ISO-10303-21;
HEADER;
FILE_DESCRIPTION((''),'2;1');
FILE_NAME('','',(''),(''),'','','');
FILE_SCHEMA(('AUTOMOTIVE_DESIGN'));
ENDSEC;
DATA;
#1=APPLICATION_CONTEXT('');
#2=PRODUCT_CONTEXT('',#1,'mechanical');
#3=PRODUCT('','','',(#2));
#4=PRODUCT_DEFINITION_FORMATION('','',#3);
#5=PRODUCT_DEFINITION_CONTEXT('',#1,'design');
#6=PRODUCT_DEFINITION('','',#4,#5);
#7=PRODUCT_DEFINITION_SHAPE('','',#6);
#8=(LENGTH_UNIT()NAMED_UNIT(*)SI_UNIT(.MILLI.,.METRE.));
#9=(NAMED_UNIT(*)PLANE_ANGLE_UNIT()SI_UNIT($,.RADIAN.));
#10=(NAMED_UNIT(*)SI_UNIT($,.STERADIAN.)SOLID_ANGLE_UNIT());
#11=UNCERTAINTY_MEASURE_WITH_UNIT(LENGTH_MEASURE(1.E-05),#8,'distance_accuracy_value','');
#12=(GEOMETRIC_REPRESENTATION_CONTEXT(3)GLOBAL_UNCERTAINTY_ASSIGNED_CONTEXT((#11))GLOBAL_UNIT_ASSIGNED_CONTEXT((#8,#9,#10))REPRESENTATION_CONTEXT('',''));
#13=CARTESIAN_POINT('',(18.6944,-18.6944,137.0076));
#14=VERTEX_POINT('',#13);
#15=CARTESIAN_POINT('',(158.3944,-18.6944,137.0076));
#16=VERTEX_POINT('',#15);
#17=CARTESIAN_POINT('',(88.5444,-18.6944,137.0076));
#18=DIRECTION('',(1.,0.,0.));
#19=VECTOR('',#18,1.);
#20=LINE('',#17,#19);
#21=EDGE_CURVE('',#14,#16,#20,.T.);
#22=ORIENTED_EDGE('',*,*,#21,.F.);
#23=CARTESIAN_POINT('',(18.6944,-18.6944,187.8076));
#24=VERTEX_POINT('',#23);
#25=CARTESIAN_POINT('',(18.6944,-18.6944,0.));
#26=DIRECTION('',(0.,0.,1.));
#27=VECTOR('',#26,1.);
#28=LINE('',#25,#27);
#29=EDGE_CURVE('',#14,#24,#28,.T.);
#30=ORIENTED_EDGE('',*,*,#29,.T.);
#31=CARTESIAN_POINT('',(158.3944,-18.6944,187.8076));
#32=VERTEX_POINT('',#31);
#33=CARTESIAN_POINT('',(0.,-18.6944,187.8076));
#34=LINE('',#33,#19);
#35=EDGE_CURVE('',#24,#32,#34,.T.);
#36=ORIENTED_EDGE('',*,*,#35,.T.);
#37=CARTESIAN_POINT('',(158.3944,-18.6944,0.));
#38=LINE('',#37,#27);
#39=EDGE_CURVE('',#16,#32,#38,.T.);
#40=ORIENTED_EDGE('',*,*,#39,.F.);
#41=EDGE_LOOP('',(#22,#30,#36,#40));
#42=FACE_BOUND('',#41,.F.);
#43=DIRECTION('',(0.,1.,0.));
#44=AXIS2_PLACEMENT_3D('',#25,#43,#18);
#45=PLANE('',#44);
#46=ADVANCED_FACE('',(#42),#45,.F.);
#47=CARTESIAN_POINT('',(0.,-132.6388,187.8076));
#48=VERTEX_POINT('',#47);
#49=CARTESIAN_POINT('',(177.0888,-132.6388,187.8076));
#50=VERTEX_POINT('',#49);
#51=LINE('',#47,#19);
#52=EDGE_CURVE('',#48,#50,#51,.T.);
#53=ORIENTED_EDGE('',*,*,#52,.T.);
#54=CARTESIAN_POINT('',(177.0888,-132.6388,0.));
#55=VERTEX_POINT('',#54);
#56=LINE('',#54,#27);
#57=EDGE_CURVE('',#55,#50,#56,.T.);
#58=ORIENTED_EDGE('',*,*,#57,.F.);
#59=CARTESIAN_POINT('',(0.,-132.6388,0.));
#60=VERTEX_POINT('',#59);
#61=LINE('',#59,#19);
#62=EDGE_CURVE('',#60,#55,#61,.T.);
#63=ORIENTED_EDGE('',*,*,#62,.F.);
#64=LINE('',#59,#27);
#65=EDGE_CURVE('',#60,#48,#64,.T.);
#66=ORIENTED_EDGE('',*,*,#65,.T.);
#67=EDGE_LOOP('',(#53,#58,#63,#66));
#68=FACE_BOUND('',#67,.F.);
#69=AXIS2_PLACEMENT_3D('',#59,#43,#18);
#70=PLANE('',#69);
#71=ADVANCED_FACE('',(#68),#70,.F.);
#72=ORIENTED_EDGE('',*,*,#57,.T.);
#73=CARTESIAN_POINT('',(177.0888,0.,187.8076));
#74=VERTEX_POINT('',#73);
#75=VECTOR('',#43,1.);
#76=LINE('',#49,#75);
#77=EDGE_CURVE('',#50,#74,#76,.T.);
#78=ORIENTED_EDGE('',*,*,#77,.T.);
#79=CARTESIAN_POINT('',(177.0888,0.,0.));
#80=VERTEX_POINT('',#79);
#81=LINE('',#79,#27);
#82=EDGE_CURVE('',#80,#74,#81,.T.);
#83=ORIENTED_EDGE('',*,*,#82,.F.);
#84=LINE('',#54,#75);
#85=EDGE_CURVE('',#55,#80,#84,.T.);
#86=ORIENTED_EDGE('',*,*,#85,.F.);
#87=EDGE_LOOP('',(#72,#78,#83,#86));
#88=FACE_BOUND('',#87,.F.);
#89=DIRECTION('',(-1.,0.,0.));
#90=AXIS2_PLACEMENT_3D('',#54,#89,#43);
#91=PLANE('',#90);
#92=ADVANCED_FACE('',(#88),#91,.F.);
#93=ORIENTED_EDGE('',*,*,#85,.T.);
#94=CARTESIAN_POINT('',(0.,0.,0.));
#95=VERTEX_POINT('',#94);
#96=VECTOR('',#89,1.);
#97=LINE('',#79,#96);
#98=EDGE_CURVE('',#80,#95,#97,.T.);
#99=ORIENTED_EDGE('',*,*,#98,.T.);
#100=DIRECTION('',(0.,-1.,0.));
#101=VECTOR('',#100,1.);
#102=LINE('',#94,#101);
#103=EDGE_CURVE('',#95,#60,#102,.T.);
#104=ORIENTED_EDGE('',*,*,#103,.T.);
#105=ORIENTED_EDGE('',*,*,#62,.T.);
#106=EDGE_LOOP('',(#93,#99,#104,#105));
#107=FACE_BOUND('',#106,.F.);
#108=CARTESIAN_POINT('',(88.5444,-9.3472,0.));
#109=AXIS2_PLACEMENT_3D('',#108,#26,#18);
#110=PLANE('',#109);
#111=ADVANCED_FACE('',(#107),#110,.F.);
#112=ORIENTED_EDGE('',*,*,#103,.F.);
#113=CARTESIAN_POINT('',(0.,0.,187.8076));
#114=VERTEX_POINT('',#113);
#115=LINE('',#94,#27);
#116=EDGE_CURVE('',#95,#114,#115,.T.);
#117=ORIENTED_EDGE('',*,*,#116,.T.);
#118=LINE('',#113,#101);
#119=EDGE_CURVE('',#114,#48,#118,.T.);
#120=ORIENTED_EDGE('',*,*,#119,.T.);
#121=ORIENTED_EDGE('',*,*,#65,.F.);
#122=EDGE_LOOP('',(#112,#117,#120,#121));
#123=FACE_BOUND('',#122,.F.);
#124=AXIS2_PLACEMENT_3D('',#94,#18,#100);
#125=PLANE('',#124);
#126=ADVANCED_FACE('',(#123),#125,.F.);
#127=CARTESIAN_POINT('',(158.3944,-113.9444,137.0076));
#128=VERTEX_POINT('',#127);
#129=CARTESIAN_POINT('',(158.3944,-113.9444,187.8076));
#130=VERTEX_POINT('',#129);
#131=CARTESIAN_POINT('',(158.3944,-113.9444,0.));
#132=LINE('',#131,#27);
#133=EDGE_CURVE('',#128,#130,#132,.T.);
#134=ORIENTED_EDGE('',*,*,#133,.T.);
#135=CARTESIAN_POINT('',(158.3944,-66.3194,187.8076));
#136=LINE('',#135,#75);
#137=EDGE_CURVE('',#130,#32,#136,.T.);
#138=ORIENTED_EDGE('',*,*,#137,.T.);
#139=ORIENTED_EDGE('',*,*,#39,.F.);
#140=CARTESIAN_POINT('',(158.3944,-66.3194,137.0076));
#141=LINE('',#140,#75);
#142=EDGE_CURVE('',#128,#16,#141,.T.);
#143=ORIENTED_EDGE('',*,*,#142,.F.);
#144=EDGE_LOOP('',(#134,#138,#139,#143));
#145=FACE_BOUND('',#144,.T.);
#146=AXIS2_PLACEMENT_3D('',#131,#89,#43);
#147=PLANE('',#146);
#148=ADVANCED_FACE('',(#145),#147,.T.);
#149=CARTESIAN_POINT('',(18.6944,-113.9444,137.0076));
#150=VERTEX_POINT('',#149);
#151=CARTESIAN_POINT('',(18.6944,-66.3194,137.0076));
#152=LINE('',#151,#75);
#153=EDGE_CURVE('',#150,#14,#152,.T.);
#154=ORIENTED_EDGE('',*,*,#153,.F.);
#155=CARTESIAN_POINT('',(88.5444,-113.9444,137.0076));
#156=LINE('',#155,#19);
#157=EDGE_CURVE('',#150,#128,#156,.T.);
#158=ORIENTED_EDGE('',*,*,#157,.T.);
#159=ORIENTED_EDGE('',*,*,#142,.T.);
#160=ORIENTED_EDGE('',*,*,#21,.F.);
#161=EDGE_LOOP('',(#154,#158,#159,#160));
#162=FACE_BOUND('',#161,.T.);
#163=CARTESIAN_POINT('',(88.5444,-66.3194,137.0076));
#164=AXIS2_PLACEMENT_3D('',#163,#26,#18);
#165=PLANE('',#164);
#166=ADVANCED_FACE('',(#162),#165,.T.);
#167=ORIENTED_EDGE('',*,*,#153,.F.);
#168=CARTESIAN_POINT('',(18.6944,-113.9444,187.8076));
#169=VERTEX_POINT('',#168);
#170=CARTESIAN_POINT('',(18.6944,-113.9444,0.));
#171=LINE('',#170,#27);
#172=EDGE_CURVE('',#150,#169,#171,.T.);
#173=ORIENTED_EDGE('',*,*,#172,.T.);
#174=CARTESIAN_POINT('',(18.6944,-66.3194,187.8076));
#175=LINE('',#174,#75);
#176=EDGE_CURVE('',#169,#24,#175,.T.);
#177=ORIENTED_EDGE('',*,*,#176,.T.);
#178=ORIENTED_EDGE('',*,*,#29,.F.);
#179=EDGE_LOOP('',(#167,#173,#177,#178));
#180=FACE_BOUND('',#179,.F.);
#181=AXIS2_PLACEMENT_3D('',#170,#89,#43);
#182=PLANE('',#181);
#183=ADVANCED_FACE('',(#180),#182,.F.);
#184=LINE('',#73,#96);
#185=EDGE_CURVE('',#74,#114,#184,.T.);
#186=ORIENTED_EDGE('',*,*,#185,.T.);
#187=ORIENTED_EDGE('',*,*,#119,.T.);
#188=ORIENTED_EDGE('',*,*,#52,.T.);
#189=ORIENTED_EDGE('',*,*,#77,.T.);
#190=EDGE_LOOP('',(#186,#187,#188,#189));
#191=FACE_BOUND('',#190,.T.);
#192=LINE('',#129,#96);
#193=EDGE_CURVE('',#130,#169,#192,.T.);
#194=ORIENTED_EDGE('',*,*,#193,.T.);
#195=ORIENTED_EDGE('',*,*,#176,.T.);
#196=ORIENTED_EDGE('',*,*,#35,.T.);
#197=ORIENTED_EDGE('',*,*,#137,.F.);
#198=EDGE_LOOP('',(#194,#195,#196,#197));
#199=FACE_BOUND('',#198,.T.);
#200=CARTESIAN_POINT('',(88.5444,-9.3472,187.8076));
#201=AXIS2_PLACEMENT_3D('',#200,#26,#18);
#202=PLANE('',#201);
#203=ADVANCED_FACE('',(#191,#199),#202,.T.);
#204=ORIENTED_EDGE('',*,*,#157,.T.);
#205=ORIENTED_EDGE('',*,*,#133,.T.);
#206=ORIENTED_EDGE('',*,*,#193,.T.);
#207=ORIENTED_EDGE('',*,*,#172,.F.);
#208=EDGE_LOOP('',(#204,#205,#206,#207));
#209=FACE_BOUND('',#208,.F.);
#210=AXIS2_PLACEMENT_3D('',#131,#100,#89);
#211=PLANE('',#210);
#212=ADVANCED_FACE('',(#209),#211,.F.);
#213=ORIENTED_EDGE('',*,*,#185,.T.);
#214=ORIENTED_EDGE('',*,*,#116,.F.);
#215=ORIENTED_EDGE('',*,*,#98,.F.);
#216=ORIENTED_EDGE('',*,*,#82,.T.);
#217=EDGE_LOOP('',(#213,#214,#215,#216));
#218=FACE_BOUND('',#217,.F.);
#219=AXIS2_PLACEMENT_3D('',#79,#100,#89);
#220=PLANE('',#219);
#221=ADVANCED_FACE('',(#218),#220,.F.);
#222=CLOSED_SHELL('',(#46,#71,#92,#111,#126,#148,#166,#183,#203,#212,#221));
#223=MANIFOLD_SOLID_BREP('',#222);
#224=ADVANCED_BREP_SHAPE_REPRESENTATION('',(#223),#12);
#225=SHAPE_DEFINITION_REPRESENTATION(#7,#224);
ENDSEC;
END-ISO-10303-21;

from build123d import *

# Parameters (mm, degrees)
F0_W     = 139.7
F0_H     = 95.25
F1_DEPTH = 137.0076
F0_W_2   = 18.6944
F2_DEPTH = 187.8076


with BuildPart() as f1:
    # F0 (on Top) → F1 (new body)
    with BuildSketch(Plane.XY):
        with Locations((88.5444, -66.3194)):
            Rectangle(F0_W, F0_H)
    extrude(amount=F1_DEPTH)

    # F0 (on Top) → F2 (join)
    with BuildSketch(Plane.XY):
        Polygon((177.0888, 0), (0, 0), (0, -18.6944), (18.6944, -18.6944), (158.3944, -18.6944), (177.0888, -18.6944), align=None)
        with Locations((167.7416, -66.3194)):
            Rectangle(F0_W_2, F0_H)
        Polygon((18.6944, -113.9444), (0, -113.9444), (0, -132.6388), (177.0888, -132.6388), (177.0888, -113.9444), (158.3944, -113.9444), align=None)
        with Locations((9.3472, -66.3194)):
            Rectangle(F0_W_2, F0_H)
    extrude(amount=F2_DEPTH)


solid = f1.part
